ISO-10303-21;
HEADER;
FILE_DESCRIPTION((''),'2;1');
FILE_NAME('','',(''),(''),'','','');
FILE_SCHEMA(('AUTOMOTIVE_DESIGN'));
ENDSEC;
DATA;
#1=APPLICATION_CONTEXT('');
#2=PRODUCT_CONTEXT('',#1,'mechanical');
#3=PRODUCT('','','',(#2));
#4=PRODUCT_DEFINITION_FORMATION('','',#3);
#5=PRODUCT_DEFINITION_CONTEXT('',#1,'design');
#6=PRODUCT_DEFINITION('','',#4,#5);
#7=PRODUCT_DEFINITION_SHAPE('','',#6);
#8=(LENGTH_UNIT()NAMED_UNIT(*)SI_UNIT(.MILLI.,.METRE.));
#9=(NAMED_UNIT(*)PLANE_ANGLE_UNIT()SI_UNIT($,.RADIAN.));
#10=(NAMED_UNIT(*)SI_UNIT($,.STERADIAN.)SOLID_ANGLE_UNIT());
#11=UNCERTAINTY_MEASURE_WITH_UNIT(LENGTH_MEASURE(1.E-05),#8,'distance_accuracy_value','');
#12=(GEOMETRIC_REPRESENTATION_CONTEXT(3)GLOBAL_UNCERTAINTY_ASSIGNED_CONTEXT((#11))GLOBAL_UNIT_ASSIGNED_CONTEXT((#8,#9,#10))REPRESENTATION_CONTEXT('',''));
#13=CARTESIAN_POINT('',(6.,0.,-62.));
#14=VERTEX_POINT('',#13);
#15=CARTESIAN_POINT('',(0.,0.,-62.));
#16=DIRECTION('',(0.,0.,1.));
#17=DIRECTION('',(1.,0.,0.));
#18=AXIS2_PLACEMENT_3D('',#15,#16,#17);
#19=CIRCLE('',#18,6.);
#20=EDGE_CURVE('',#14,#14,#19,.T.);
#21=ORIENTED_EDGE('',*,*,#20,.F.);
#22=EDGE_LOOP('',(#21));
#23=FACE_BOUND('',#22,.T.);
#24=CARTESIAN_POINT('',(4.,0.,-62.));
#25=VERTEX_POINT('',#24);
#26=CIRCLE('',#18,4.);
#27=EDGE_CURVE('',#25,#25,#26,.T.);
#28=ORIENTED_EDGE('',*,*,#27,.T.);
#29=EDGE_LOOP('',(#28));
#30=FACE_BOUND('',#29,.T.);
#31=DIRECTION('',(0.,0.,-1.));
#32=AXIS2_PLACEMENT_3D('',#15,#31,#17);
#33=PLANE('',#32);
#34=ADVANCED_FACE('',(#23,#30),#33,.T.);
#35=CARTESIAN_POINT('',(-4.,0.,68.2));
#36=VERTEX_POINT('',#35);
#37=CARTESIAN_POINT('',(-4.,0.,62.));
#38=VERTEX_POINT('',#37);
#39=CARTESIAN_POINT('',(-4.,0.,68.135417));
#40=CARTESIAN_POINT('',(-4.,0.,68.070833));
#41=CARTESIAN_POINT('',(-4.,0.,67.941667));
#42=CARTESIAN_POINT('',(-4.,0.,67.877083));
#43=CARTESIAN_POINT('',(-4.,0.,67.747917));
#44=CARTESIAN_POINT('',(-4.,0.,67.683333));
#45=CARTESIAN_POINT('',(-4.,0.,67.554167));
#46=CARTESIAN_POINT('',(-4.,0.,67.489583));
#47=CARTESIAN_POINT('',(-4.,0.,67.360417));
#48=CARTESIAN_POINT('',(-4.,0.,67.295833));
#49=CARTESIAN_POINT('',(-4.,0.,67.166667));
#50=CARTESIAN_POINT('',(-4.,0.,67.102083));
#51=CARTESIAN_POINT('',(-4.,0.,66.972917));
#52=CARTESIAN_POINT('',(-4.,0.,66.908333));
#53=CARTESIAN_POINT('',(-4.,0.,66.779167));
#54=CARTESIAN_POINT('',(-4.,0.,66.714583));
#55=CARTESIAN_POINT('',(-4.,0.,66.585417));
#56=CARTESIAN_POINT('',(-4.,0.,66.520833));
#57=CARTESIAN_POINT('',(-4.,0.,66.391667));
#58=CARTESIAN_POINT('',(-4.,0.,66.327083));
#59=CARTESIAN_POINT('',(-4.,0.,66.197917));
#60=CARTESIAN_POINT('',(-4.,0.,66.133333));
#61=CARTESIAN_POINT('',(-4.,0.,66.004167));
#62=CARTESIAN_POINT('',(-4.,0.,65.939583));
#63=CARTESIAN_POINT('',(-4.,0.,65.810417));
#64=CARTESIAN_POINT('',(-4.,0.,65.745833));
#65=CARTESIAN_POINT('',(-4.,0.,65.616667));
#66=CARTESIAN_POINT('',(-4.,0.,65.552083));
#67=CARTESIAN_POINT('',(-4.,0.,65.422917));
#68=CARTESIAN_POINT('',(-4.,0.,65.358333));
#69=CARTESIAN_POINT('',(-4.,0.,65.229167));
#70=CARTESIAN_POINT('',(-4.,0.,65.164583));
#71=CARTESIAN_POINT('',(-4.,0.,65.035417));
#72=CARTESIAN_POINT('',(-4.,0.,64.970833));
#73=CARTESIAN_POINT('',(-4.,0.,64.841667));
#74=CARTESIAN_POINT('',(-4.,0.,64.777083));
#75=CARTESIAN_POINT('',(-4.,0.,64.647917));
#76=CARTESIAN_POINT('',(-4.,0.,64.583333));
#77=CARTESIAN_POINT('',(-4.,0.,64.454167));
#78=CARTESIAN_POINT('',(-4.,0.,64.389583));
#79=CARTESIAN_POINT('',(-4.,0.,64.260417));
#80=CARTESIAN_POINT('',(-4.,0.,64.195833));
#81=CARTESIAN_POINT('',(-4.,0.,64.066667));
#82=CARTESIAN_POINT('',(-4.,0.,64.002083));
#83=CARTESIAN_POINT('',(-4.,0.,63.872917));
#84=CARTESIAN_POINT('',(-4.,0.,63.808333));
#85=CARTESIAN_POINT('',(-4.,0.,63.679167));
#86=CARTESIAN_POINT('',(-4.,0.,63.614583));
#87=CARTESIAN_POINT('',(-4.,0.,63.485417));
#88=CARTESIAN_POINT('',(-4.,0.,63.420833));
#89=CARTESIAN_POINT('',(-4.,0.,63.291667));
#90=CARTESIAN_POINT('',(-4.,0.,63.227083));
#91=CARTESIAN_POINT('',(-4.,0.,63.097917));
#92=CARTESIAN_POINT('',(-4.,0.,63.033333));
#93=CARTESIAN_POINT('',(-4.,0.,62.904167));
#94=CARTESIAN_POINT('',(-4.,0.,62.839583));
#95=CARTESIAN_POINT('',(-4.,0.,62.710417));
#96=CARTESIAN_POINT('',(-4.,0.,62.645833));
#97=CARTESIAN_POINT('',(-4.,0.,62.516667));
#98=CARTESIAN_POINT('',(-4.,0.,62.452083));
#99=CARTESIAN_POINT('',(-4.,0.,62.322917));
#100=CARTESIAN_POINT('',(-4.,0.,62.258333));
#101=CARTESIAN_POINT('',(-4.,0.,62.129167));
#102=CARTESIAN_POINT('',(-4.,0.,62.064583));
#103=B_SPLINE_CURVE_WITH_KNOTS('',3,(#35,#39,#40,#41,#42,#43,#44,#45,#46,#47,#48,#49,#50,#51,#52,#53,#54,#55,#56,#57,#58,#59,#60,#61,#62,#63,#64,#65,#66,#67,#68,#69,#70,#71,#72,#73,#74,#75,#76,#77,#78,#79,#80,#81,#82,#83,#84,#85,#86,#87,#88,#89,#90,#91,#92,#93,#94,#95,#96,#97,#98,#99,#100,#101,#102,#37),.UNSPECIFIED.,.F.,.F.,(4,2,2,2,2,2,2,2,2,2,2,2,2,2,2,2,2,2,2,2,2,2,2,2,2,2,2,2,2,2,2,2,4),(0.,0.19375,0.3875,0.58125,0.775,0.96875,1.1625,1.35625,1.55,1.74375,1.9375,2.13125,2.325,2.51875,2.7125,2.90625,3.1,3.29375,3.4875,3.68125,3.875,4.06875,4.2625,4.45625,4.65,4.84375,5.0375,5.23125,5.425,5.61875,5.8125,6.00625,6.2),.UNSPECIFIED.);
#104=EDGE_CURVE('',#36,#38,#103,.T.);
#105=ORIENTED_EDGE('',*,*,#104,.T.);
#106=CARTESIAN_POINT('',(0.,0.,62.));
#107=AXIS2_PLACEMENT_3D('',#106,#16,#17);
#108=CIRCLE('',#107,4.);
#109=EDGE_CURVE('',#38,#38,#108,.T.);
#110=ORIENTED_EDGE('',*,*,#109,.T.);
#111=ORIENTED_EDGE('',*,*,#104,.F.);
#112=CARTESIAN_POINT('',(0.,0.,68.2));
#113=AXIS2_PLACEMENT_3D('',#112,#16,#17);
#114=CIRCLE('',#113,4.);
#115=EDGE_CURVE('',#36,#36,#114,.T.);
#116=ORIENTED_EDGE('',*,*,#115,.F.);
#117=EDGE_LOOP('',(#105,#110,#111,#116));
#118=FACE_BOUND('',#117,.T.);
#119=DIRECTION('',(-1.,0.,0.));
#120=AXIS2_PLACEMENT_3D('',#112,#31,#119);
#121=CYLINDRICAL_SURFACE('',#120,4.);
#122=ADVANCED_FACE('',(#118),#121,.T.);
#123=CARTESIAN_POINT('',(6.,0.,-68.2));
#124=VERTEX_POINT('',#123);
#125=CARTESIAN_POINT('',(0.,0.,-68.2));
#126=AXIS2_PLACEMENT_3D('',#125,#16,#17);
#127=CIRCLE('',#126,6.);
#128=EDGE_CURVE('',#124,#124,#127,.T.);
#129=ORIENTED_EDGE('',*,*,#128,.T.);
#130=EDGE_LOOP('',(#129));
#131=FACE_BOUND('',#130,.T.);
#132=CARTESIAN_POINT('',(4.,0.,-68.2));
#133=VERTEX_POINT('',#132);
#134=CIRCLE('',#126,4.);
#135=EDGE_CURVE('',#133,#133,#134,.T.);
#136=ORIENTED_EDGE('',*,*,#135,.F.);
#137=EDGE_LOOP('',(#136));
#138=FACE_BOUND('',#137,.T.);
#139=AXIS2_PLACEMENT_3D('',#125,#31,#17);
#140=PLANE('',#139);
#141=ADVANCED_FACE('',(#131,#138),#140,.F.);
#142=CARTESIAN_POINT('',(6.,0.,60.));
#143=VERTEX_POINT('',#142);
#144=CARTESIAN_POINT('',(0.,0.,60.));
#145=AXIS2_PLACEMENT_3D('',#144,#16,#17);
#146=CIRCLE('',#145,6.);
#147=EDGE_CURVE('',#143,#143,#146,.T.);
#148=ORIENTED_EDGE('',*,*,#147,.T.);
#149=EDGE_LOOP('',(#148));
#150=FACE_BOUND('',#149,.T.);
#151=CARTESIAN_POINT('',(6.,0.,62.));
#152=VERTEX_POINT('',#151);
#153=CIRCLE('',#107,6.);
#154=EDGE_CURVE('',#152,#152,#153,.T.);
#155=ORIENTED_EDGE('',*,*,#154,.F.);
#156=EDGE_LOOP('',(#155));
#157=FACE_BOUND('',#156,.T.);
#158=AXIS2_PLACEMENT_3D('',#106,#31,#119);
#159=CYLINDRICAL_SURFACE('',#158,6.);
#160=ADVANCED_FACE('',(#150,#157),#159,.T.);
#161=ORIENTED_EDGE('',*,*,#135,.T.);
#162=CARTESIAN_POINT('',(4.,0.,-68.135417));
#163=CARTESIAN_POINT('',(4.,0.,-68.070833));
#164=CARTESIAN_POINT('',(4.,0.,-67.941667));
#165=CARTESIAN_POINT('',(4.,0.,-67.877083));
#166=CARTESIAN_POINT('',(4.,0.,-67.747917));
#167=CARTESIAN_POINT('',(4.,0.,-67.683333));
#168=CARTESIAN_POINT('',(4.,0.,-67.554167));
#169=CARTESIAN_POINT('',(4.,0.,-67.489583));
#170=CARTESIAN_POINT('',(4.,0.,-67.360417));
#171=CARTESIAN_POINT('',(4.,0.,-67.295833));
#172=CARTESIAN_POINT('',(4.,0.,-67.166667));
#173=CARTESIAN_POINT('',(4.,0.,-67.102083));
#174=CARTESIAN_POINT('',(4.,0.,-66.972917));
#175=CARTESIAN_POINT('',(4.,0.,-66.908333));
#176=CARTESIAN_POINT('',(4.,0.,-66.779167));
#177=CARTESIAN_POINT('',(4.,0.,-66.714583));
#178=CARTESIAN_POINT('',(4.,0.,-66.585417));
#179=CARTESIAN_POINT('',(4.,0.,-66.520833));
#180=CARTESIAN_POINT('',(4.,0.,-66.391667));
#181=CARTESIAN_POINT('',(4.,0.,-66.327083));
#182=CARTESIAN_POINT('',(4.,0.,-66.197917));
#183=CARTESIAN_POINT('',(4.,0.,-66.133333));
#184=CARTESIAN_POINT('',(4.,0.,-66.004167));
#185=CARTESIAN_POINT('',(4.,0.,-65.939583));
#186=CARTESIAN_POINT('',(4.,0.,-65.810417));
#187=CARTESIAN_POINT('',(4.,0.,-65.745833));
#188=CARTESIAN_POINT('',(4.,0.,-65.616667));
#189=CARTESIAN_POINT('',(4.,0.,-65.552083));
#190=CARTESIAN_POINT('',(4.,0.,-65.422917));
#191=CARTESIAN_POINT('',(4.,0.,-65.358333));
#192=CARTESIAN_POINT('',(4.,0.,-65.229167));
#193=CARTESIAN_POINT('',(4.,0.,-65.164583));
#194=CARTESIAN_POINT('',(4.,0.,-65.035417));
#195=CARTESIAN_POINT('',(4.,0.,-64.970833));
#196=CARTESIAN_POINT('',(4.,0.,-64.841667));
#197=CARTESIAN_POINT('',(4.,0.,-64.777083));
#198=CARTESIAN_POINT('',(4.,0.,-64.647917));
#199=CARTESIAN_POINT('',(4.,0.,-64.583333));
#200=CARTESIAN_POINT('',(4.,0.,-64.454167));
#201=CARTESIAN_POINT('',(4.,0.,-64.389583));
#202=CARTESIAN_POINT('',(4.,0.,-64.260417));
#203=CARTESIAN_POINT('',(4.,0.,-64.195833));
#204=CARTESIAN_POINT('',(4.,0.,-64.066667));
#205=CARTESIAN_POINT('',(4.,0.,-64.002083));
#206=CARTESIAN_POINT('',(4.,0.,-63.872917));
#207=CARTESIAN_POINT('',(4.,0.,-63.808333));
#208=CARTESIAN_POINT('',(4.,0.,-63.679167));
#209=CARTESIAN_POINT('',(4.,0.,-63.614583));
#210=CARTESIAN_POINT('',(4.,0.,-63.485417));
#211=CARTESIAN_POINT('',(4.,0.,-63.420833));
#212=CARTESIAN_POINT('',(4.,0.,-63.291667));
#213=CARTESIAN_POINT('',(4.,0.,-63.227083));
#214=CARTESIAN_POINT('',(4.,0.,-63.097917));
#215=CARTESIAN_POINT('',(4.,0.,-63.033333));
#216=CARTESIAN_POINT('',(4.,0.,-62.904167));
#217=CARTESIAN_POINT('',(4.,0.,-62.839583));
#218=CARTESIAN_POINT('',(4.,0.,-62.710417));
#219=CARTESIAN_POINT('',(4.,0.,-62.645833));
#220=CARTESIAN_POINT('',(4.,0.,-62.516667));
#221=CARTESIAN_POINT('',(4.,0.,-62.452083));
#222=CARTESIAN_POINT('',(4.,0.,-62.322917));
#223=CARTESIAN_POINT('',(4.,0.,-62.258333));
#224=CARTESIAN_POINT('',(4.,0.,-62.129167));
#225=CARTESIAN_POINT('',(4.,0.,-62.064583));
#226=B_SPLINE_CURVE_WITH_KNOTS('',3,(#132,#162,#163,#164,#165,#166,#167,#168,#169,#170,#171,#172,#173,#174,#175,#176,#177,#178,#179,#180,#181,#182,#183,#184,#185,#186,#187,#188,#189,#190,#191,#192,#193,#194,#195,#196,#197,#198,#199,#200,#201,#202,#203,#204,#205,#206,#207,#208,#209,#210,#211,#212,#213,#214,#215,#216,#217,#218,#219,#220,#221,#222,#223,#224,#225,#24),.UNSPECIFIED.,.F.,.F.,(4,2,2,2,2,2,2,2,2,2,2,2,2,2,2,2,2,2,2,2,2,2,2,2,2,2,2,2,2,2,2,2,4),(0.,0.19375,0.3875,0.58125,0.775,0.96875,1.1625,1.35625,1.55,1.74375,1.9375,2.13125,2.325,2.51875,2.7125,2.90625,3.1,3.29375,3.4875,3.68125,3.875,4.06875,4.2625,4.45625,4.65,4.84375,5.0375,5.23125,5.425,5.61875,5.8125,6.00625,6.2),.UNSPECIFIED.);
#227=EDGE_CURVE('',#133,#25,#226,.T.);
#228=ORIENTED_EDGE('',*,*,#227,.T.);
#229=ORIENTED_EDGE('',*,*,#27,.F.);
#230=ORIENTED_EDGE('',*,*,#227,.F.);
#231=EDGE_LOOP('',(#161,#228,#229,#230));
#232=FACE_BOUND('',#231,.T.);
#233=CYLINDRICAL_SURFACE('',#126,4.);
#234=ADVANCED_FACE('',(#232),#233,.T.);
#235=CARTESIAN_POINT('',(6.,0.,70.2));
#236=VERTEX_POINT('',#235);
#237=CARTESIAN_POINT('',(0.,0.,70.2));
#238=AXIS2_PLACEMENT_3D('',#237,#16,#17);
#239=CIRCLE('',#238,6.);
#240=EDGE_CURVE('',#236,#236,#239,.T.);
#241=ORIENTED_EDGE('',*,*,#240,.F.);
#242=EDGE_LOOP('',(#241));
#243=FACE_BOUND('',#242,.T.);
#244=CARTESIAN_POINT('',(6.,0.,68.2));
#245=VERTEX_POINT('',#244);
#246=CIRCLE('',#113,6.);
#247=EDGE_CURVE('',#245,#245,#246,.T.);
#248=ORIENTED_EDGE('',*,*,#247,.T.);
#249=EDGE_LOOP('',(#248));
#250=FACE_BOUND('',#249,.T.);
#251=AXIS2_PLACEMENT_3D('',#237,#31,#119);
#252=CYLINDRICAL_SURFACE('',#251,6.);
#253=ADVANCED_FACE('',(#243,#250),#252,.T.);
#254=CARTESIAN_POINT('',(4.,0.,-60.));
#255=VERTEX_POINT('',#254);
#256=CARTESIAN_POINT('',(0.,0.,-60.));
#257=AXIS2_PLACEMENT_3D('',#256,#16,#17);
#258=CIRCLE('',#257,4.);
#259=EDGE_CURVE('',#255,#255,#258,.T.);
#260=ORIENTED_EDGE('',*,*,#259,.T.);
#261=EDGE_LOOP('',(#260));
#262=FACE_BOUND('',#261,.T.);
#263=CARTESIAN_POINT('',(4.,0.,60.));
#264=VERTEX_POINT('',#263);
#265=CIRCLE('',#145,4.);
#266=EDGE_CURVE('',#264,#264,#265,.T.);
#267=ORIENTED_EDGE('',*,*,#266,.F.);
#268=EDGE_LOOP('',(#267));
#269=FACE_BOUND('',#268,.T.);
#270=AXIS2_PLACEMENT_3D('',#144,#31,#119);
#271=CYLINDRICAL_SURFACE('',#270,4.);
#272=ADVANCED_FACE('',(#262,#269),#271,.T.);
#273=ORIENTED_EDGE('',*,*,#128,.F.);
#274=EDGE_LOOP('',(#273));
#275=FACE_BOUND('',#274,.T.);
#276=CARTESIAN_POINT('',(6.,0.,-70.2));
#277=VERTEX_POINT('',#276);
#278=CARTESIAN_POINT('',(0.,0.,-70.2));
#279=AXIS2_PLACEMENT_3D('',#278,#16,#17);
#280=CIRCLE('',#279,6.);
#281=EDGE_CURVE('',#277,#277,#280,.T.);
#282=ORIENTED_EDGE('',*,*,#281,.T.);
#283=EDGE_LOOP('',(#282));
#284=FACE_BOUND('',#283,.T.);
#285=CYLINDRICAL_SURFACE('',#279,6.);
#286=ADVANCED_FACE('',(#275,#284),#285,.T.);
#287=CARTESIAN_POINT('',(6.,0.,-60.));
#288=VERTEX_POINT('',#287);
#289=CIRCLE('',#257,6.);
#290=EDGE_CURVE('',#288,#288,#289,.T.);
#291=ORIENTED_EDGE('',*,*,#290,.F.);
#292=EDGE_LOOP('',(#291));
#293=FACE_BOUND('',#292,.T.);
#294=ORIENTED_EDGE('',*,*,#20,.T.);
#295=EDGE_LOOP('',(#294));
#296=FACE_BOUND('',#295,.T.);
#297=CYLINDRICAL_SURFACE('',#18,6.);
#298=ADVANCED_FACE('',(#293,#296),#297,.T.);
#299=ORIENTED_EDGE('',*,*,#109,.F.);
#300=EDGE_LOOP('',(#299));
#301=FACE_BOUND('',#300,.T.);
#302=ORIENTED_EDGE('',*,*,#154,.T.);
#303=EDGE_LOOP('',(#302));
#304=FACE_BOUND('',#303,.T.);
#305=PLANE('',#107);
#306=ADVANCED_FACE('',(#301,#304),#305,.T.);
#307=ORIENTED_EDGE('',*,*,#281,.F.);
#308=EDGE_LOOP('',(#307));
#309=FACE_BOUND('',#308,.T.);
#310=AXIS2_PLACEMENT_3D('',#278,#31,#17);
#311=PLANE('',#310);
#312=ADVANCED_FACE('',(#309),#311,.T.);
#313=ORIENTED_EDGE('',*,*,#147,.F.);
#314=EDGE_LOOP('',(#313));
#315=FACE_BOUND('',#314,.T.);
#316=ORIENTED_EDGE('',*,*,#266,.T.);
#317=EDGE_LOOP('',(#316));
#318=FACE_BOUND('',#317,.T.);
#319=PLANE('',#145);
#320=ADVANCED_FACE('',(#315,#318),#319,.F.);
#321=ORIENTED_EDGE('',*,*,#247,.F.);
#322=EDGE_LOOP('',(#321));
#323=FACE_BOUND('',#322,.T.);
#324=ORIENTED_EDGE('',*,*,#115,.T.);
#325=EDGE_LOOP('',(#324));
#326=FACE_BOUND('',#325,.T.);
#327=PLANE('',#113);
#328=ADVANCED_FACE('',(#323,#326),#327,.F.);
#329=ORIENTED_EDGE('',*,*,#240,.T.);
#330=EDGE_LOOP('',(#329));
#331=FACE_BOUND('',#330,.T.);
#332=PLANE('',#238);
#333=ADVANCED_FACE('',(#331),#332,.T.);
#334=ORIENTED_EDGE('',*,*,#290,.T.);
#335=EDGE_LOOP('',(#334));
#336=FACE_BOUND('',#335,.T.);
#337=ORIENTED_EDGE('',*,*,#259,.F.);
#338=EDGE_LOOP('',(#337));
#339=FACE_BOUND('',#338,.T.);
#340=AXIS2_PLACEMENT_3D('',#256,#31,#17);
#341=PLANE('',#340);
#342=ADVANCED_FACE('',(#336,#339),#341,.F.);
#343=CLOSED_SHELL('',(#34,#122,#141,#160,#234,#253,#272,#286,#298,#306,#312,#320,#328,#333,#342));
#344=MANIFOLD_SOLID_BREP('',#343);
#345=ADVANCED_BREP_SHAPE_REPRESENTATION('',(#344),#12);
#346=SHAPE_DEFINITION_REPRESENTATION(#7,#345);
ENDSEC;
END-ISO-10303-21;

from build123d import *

# Parameters (mm, degrees)
SKETCH_1_R      = 4
EXTRUDE_1_DEPTH = 60
SKETCH_2_R      = 6
EXTRUDE_2_DEPTH = 2
EXTRUDE_START   = 6.2
SKETCH_3_R      = 4
EXTRUDE_3_DEPTH = 6.2
SKETCH_4_R      = 6
EXTRUDE_4_DEPTH = 2


with BuildPart() as part:
    # Эскиз1 → Бобышка-Вытянуть1 (new, symmetric)
    with BuildSketch(Plane.XY):
        Circle(SKETCH_1_R)
    extrude(amount=EXTRUDE_1_DEPTH, both=True)

    # Эскиз2 → Бобышка-Вытянуть2 (add)
    with BuildSketch(Plane.XY.offset(60)):
        Circle(SKETCH_2_R)
    extrude_2 = extrude(amount=EXTRUDE_2_DEPTH)

    # Эскиз3 → Бобышка-Вытянуть3 (add)
    with BuildSketch(Plane.XY.offset(62).offset(EXTRUDE_START)):
        Circle(SKETCH_3_R)
    extrude_3 = extrude(amount=-EXTRUDE_3_DEPTH)

    # Эскиз4 → Бобышка-Вытянуть4 (add)
    with BuildSketch(Plane.XY.offset(68.2)):
        Circle(SKETCH_4_R)
    extrude_4 = extrude(amount=EXTRUDE_4_DEPTH)

    # Зеркальное отражение1: Бобышка-Вытянуть2, Бобышка-Вытянуть3, Бобышка-Вытянуть4 across plane
    add(extrude_2.mirror(Plane.XY))
    add(extrude_3.mirror(Plane.XY))
    add(extrude_4.mirror(Plane.XY))


solid = part.part
